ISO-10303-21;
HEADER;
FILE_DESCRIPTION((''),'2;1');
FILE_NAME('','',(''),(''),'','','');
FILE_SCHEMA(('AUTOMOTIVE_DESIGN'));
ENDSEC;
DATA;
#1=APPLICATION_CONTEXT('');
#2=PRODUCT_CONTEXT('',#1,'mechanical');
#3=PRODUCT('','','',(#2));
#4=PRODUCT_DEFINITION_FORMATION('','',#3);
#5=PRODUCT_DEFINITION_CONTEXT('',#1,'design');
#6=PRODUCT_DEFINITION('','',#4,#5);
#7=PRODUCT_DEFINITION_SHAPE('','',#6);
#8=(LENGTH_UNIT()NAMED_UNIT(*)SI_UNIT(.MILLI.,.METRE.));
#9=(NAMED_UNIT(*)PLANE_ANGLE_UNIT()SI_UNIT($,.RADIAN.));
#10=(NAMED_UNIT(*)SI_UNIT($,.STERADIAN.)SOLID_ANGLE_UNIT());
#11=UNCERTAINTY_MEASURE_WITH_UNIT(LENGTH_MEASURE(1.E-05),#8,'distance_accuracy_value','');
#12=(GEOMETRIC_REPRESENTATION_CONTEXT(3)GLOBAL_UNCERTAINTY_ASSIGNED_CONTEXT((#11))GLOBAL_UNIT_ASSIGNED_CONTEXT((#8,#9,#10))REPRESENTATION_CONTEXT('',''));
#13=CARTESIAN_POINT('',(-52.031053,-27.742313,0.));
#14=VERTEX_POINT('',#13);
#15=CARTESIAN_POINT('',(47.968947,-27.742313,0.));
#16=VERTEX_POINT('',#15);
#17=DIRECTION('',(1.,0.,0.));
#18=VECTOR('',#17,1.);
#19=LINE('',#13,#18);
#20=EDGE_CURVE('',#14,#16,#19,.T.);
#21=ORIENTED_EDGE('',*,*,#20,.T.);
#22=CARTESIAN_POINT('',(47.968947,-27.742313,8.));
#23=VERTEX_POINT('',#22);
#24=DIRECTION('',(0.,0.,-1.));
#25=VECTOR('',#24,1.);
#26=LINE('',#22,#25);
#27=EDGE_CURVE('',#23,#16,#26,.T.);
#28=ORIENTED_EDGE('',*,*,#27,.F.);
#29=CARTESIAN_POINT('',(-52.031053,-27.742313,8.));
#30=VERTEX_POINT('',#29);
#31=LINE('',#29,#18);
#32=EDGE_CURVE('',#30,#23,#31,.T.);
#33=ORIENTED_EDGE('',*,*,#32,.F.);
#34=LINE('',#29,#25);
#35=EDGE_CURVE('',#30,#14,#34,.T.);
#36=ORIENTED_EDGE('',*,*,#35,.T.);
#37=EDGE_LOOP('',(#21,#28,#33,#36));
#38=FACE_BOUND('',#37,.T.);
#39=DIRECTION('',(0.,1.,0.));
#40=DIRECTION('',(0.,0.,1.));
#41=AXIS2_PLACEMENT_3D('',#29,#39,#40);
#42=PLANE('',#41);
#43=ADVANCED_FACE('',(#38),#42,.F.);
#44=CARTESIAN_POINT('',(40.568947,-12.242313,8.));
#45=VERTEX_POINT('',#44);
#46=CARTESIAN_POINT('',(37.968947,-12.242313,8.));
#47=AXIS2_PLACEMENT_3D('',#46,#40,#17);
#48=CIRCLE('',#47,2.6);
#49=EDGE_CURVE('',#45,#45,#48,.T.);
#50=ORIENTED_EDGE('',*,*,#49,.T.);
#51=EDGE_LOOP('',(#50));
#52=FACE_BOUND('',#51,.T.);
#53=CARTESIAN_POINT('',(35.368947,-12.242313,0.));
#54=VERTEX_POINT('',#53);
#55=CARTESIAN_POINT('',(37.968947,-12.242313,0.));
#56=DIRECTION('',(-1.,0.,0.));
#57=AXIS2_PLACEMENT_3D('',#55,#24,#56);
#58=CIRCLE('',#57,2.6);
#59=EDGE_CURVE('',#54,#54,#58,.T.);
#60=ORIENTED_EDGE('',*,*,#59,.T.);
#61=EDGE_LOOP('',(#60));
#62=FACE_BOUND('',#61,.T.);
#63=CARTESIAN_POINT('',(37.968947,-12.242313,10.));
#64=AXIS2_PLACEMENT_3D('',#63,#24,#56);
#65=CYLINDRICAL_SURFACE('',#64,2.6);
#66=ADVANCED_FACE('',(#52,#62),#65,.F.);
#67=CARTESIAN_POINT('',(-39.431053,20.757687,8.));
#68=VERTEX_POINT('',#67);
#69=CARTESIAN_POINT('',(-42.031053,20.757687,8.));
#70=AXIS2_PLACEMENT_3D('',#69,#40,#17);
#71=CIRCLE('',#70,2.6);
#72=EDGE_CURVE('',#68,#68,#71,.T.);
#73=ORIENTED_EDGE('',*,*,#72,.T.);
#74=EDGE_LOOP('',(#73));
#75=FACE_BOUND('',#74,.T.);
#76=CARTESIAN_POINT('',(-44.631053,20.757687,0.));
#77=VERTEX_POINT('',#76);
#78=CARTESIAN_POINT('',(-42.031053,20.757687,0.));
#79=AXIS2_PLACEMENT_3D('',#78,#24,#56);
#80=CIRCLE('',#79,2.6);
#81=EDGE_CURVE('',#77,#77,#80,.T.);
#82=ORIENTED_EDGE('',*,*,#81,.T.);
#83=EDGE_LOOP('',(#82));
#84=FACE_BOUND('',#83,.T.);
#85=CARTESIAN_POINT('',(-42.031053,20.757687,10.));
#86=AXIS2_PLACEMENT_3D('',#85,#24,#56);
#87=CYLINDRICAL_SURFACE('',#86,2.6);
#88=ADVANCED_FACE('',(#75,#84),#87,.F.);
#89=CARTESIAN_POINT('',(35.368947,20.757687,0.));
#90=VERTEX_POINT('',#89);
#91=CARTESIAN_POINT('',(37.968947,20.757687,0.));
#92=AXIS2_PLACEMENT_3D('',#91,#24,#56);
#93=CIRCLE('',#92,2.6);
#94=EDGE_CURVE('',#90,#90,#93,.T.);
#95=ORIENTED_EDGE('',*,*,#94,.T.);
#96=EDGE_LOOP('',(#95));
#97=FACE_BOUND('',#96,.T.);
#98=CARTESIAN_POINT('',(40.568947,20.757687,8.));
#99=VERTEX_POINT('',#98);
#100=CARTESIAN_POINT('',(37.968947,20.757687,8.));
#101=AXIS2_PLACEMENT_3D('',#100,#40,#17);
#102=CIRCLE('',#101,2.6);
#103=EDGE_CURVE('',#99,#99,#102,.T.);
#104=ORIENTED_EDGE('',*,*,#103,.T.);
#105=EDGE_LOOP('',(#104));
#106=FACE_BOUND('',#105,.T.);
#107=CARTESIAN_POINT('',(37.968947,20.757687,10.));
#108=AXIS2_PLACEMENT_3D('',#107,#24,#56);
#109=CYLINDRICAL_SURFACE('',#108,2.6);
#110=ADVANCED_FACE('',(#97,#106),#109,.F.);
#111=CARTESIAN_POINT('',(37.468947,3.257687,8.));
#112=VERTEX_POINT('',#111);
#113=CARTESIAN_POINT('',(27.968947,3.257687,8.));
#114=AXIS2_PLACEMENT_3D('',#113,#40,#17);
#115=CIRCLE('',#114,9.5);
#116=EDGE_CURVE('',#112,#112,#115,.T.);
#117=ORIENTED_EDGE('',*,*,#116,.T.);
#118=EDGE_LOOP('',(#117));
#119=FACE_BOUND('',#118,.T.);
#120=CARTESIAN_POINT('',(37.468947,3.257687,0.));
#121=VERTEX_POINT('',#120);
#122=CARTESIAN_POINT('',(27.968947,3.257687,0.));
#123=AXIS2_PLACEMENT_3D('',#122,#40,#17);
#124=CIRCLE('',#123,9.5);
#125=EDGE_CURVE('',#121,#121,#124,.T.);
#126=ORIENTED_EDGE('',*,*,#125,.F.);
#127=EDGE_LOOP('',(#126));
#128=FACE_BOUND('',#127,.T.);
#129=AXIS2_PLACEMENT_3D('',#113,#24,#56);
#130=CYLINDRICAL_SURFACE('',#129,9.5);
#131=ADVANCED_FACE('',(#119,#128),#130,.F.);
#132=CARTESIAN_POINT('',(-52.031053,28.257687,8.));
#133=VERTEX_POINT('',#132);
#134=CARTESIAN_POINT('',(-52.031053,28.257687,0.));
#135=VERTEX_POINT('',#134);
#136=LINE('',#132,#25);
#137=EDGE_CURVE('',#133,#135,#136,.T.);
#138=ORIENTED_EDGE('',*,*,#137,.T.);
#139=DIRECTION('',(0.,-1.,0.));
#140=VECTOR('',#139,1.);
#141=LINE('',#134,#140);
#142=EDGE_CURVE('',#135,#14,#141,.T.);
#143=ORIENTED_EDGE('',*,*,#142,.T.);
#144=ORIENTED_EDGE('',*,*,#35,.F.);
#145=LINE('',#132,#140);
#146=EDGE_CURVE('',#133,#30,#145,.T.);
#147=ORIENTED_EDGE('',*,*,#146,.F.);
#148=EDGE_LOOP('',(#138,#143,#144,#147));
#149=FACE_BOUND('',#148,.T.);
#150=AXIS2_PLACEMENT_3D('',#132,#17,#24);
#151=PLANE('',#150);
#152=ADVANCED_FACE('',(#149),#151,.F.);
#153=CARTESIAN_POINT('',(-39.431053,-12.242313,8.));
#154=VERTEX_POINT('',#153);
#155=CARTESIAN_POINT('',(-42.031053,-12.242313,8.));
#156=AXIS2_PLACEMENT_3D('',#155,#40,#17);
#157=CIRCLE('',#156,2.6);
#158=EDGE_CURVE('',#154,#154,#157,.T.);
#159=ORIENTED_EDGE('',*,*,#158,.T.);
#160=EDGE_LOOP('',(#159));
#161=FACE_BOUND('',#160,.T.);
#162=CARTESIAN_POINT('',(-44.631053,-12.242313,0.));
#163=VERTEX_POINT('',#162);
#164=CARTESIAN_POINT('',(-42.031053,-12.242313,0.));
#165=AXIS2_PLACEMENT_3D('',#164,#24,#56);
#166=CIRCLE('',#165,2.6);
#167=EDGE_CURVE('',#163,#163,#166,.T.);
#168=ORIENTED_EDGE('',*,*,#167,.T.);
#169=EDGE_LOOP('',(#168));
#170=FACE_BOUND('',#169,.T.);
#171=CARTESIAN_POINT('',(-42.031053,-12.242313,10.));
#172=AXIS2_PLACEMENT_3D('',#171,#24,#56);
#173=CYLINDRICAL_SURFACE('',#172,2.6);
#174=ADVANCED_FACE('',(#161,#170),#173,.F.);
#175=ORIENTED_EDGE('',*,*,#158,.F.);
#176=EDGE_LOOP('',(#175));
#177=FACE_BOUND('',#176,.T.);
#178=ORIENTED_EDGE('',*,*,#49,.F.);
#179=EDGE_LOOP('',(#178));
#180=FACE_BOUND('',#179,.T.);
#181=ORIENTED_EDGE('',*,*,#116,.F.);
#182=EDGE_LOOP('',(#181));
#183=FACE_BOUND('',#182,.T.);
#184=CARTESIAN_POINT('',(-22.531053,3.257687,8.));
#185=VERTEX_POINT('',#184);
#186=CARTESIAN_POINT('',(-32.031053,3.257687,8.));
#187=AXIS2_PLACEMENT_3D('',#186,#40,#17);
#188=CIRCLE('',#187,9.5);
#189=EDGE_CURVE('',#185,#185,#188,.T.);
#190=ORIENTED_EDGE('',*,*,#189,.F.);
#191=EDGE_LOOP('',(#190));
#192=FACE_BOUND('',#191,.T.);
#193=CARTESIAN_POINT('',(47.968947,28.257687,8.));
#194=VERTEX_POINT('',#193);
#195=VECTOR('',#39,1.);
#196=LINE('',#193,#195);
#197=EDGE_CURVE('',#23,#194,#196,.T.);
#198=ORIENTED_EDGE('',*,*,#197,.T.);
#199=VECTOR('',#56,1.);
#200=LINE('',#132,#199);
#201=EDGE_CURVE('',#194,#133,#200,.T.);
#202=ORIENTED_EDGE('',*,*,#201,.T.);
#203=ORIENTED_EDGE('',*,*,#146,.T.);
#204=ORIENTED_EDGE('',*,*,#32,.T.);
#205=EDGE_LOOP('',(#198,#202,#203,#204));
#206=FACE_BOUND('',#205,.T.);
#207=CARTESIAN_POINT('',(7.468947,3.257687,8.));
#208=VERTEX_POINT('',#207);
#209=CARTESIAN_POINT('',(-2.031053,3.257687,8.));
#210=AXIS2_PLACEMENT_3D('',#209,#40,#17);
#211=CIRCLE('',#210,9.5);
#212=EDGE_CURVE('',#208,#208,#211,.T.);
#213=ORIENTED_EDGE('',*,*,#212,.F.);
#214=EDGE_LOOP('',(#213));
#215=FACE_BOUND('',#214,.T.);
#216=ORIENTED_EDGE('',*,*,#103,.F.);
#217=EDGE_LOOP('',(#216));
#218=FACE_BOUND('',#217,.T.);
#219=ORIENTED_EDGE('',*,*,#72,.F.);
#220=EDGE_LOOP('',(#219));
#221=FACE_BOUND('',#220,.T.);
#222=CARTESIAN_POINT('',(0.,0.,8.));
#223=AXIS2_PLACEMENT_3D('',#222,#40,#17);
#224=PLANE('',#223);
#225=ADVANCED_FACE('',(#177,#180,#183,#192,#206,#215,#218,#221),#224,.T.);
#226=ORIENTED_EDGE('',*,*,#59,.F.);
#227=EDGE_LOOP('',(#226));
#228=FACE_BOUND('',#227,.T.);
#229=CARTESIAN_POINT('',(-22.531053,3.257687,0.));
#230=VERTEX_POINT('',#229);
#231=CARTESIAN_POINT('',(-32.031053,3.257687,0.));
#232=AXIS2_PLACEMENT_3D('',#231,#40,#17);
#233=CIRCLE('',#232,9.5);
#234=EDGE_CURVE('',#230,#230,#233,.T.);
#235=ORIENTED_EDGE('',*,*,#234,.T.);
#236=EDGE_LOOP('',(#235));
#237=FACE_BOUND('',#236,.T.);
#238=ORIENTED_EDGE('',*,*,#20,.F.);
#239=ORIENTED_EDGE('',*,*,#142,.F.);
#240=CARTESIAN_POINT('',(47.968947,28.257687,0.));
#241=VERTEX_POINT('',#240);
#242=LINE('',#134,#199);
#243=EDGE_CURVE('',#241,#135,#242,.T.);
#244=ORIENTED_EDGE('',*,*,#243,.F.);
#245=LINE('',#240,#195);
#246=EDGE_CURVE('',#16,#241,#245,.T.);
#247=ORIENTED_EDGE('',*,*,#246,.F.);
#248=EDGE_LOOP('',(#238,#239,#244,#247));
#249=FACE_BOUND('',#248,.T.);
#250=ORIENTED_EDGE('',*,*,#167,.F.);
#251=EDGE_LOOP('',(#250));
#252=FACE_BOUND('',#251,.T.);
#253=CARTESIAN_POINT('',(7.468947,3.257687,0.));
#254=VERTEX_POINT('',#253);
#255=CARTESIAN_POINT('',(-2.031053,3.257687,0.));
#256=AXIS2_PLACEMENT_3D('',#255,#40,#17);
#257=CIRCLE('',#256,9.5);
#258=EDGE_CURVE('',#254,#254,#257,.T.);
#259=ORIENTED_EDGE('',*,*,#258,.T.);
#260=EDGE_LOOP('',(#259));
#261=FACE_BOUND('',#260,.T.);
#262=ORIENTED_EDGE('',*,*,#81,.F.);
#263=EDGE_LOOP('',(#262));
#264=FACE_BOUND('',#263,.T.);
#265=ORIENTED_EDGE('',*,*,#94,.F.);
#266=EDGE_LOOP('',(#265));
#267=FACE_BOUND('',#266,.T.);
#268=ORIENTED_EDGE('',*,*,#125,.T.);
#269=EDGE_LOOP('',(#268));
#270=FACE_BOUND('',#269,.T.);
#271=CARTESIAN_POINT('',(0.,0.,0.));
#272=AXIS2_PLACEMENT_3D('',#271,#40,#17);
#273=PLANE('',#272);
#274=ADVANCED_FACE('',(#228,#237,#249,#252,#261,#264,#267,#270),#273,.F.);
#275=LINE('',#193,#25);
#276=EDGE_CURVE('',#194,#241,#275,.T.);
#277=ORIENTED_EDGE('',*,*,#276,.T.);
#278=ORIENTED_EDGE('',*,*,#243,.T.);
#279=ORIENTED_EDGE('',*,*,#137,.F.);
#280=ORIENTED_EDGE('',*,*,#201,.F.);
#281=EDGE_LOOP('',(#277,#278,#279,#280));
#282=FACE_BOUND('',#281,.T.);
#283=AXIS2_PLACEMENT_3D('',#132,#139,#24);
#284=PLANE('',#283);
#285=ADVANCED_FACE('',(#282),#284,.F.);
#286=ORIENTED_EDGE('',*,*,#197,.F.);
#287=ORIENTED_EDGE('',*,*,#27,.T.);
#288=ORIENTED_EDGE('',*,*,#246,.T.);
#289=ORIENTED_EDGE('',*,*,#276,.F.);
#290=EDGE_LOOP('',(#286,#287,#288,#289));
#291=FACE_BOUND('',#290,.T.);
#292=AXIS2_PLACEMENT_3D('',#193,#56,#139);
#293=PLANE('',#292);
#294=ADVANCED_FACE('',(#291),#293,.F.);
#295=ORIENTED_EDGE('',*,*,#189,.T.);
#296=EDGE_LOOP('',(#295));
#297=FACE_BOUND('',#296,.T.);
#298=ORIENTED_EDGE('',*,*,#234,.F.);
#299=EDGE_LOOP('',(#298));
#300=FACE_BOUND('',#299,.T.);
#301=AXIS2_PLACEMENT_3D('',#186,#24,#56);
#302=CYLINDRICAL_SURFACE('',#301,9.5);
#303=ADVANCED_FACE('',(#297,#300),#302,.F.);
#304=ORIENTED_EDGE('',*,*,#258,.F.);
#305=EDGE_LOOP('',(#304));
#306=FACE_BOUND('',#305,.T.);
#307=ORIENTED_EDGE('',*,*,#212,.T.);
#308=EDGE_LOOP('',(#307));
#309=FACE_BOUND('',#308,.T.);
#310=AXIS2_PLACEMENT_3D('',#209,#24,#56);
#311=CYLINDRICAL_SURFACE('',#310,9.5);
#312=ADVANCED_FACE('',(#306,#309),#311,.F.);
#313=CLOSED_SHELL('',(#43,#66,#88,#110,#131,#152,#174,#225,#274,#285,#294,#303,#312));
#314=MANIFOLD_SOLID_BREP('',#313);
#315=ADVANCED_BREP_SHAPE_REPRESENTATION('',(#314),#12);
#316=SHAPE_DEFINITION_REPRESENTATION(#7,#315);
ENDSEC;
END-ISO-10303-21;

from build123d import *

# Parameters (mm, degrees)
IZIM1_W                     = 100
IZIM1_H                     = 56
IZIM1_R                     = 9.5
Y_KSEKLIK_EKSTR_ZYON1_DEPTH = 8
IZIM2_R                     = 2.6
KES_EKSTR_ZYON1_DEPTH       = 10


with BuildPart() as part:
    # Çizim1 → Yükseklik-Ekstrüzyon1 (new body)
    with BuildSketch(Plane.XY):
        with Locations((-2.031053151, 0.257686676)):
            Rectangle(IZIM1_W, IZIM1_H)
        with Locations((-32.031053151, 3.257686676)):
            Circle(IZIM1_R, mode=Mode.SUBTRACT)
        with Locations((27.968946849, 3.257686676)):
            Circle(IZIM1_R, mode=Mode.SUBTRACT)
        with Locations((-2.031053151, 3.257686676)):
            Circle(IZIM1_R, mode=Mode.SUBTRACT)
    extrude(amount=Y_KSEKLIK_EKSTR_ZYON1_DEPTH)

    # Çizim2 → Kes-Ekstrüzyon1 (cut)
    with BuildSketch(Plane(origin=(0, 0, 0), x_dir=(-1, 0, 0), z_dir=(0, 0, -1))):
        with Locations((-37.968946849, 20.757686676)):
            Circle(IZIM2_R)
        with Locations((-37.968946849, -12.242313324)):
            Circle(IZIM2_R)
        with Locations((42.031053151, -12.242313324)):
            Circle(IZIM2_R)
        with Locations((42.031053151, 20.757686676)):
            Circle(IZIM2_R)
    extrude(amount=-KES_EKSTR_ZYON1_DEPTH, mode=Mode.SUBTRACT)


solid = part.part
